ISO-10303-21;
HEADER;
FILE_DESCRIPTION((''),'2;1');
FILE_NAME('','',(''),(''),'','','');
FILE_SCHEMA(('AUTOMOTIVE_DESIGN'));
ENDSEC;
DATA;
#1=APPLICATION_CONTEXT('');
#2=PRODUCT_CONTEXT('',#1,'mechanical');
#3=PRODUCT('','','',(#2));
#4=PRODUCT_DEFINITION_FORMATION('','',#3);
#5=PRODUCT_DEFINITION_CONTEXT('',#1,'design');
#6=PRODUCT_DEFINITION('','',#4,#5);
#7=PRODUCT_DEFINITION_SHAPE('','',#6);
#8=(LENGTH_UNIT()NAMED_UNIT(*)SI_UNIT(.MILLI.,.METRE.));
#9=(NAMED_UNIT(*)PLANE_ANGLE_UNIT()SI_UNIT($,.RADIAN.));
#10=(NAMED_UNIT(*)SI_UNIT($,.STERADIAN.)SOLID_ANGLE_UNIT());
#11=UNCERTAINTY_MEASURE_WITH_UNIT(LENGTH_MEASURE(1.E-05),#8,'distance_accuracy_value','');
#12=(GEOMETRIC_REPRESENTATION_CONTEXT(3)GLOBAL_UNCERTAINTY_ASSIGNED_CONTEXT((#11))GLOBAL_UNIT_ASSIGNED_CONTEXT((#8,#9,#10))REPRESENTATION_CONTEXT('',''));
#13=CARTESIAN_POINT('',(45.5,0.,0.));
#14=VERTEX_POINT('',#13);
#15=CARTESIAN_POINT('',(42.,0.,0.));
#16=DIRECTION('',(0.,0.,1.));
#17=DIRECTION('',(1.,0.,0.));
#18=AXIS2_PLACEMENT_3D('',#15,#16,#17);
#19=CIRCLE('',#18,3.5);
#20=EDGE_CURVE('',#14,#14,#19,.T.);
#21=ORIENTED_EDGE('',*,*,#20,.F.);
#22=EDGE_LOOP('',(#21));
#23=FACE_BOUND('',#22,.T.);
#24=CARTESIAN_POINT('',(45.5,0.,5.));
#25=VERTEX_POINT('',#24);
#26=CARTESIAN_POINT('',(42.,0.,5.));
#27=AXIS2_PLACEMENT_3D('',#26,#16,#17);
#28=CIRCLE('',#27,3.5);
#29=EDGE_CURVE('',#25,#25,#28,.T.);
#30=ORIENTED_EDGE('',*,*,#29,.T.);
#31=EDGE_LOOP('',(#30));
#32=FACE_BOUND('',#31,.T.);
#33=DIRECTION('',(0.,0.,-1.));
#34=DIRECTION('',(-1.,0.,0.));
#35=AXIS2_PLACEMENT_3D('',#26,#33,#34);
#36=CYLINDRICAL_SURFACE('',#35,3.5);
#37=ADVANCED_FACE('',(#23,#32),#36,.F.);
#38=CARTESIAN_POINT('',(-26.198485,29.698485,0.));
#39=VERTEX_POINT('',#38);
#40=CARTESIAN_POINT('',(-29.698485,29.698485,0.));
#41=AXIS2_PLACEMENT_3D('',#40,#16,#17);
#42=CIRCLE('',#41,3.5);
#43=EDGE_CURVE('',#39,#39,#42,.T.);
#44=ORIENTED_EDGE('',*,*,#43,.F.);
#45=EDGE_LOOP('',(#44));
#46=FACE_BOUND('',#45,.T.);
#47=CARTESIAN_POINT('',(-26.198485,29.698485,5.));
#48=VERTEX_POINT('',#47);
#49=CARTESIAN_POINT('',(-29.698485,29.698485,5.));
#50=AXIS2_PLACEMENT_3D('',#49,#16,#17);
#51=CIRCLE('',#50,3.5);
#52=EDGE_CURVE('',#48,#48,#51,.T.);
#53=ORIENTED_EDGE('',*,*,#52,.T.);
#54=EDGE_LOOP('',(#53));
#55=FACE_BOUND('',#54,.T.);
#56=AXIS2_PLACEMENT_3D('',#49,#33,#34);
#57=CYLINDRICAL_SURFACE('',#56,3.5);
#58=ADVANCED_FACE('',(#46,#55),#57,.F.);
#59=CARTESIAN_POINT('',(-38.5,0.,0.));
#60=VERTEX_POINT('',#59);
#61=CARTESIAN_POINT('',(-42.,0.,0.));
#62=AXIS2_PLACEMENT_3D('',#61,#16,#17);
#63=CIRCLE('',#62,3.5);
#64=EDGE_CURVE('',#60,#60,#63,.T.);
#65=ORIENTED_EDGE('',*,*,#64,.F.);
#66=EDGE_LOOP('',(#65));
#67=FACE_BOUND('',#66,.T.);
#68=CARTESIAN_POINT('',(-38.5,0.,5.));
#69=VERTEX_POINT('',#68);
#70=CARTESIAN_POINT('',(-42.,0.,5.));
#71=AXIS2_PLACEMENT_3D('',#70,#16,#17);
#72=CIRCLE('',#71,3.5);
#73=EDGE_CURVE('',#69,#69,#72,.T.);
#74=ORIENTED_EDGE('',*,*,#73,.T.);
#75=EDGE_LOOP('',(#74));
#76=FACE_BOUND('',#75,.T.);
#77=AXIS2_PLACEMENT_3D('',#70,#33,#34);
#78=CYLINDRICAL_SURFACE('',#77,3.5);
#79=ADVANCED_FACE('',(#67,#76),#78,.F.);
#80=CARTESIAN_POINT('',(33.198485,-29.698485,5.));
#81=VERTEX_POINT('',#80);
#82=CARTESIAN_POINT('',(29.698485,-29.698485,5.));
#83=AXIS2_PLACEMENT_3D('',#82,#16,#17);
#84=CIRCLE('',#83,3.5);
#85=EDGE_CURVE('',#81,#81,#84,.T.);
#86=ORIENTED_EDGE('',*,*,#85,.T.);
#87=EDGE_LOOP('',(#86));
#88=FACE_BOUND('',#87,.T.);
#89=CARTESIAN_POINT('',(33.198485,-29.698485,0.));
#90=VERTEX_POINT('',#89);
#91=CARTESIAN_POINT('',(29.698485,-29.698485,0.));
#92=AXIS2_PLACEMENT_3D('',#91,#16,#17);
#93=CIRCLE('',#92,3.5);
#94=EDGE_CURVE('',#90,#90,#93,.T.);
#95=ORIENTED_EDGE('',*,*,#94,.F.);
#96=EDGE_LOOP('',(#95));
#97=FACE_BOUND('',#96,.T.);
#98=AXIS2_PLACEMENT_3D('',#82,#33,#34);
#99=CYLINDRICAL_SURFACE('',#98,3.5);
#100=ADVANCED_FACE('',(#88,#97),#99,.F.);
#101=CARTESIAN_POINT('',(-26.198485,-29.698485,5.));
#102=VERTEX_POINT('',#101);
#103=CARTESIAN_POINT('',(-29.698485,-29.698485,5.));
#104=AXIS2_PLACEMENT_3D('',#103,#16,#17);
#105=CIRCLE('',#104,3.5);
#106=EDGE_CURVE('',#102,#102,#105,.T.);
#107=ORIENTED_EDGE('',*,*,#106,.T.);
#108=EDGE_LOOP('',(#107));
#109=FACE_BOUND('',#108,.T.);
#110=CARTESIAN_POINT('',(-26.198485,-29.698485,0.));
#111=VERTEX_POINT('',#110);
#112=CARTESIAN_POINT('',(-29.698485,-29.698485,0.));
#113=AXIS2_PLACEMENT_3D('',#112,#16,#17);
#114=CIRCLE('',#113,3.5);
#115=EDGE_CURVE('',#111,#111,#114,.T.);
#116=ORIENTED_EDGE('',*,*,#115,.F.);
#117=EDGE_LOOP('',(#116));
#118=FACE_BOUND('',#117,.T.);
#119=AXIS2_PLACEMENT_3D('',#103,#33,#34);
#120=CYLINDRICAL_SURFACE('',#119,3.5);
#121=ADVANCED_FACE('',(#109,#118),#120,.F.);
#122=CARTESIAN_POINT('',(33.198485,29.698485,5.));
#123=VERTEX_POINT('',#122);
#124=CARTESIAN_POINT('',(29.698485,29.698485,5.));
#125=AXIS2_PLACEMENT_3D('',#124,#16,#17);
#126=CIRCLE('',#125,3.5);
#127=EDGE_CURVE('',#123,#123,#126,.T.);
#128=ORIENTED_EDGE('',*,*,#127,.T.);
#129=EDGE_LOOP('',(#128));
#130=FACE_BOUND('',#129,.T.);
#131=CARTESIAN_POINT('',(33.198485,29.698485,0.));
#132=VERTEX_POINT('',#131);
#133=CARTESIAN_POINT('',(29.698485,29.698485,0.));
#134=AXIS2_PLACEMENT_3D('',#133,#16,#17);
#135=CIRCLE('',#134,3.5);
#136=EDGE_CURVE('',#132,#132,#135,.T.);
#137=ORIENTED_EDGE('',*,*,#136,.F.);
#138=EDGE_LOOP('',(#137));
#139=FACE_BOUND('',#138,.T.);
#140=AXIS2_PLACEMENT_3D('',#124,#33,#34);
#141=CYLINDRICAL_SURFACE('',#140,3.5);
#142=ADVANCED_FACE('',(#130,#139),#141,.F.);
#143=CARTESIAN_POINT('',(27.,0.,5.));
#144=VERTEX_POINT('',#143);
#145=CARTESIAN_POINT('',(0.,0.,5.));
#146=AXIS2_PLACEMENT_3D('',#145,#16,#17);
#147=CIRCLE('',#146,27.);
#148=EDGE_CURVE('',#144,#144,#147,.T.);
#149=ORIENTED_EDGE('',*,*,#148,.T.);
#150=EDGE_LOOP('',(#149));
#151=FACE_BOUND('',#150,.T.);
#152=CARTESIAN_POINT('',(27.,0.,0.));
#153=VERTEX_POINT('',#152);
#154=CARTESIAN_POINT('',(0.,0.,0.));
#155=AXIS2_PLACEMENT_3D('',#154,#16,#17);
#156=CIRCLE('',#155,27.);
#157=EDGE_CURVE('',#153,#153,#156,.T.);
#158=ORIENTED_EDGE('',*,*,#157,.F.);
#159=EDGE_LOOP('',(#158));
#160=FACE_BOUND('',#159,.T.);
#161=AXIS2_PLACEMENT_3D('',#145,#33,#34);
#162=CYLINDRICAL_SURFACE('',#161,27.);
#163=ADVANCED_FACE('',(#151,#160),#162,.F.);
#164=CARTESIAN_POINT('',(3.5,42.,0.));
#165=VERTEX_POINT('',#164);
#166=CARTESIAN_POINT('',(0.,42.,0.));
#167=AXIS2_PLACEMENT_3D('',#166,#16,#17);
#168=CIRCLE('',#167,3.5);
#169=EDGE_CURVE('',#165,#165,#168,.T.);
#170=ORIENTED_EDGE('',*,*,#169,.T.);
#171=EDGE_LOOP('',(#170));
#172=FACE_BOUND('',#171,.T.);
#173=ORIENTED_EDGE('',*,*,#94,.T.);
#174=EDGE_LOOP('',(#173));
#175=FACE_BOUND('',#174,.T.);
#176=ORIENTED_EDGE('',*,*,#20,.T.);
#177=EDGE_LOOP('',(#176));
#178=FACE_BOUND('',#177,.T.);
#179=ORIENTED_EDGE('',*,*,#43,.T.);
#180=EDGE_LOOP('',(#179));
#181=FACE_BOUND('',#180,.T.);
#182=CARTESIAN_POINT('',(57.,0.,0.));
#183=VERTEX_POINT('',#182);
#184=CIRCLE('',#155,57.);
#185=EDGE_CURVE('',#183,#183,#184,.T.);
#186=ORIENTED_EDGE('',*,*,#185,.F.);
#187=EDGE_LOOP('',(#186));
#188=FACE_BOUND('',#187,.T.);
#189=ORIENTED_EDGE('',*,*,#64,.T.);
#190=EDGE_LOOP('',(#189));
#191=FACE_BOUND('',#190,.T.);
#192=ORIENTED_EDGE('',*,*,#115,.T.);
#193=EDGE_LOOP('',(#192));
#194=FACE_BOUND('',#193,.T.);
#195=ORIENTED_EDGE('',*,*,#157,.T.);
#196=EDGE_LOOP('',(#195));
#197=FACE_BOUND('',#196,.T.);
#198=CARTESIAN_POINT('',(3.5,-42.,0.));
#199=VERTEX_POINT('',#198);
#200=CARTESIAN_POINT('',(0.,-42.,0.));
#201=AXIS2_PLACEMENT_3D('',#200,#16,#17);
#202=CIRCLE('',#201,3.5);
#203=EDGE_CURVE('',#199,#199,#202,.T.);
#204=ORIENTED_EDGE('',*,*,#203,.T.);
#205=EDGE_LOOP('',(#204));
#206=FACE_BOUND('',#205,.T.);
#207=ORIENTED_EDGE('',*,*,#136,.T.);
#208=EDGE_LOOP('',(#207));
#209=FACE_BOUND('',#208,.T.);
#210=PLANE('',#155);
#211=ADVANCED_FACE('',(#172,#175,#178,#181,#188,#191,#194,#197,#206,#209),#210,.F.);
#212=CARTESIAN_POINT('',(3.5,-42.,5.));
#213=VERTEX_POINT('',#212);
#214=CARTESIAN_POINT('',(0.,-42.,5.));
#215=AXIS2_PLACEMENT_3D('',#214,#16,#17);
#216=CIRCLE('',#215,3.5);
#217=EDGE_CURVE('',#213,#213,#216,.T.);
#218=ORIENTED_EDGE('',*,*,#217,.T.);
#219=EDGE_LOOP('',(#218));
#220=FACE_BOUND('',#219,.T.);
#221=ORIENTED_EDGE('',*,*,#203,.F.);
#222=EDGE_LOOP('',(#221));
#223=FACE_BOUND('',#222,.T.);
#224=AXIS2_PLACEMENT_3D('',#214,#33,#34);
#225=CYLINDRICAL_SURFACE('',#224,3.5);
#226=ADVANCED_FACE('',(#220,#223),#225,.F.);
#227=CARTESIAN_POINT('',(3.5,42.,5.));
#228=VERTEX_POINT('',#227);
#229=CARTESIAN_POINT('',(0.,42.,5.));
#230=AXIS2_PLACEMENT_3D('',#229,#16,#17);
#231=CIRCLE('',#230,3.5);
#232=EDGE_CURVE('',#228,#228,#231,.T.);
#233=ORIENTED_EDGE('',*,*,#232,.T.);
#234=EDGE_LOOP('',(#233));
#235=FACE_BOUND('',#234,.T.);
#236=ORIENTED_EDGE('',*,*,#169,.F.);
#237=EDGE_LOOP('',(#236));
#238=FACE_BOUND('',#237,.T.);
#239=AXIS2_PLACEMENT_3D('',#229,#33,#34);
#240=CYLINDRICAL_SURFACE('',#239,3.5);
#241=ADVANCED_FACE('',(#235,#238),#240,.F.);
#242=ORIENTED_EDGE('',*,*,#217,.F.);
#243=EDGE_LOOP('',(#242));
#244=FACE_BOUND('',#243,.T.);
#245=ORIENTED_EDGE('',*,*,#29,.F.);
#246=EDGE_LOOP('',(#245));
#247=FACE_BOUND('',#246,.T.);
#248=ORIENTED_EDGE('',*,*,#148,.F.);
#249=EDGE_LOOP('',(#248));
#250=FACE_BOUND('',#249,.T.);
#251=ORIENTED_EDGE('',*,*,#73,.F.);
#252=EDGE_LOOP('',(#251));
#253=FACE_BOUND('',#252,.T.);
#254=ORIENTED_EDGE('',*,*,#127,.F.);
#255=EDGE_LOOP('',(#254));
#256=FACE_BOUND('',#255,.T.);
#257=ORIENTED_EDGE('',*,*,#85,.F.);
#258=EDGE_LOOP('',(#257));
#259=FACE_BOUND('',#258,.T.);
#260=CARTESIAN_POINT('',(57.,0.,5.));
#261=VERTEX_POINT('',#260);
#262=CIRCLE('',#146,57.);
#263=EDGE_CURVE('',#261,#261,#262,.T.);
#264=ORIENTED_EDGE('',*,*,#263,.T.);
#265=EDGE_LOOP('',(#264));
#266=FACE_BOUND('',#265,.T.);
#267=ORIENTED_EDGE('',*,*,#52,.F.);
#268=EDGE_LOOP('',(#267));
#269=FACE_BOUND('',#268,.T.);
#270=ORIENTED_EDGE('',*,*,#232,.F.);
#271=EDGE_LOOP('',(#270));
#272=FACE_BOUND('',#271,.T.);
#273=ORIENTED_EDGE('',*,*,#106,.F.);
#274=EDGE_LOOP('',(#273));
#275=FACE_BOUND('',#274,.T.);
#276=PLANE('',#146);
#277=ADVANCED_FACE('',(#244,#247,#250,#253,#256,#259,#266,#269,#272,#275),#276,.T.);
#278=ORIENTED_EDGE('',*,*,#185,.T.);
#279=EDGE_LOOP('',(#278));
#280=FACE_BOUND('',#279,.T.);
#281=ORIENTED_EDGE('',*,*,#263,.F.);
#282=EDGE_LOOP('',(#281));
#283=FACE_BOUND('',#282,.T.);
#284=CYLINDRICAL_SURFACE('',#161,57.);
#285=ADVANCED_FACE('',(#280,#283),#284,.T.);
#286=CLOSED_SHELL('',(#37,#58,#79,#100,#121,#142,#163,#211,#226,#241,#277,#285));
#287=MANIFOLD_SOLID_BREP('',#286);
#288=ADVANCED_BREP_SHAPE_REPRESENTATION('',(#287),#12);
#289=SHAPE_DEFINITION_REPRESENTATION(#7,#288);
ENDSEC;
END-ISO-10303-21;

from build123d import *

# Parameters (mm, degrees)
SKETCH3_R           = 57
SKETCH3_R_2         = 26.999999975
SKETCH3_R_3         = 3.5
BOSS_EXTRUDE1_DEPTH = 5


with BuildPart() as part:
    # Sketch3 → Boss-Extrude1 (new body)
    with BuildSketch(Plane.XY):
        Circle(SKETCH3_R)
        Circle(SKETCH3_R_2, mode=Mode.SUBTRACT)
        with Locations((-42, 0)):
            Circle(SKETCH3_R_3, mode=Mode.SUBTRACT)
        with Locations((-29.69848481, 29.69848481)):
            Circle(SKETCH3_R_3, mode=Mode.SUBTRACT)
        with Locations((0, 42)):
            Circle(SKETCH3_R_3, mode=Mode.SUBTRACT)
        with Locations((29.69848481, 29.69848481)):
            Circle(SKETCH3_R_3, mode=Mode.SUBTRACT)
        with Locations((42, 0)):
            Circle(SKETCH3_R_3, mode=Mode.SUBTRACT)
        with Locations((29.69848481, -29.69848481)):
            Circle(SKETCH3_R_3, mode=Mode.SUBTRACT)
        with Locations((0, -42)):
            Circle(SKETCH3_R_3, mode=Mode.SUBTRACT)
        with Locations((-29.69848481, -29.69848481)):
            Circle(SKETCH3_R_3, mode=Mode.SUBTRACT)
    extrude(amount=BOSS_EXTRUDE1_DEPTH)


solid = part.part
